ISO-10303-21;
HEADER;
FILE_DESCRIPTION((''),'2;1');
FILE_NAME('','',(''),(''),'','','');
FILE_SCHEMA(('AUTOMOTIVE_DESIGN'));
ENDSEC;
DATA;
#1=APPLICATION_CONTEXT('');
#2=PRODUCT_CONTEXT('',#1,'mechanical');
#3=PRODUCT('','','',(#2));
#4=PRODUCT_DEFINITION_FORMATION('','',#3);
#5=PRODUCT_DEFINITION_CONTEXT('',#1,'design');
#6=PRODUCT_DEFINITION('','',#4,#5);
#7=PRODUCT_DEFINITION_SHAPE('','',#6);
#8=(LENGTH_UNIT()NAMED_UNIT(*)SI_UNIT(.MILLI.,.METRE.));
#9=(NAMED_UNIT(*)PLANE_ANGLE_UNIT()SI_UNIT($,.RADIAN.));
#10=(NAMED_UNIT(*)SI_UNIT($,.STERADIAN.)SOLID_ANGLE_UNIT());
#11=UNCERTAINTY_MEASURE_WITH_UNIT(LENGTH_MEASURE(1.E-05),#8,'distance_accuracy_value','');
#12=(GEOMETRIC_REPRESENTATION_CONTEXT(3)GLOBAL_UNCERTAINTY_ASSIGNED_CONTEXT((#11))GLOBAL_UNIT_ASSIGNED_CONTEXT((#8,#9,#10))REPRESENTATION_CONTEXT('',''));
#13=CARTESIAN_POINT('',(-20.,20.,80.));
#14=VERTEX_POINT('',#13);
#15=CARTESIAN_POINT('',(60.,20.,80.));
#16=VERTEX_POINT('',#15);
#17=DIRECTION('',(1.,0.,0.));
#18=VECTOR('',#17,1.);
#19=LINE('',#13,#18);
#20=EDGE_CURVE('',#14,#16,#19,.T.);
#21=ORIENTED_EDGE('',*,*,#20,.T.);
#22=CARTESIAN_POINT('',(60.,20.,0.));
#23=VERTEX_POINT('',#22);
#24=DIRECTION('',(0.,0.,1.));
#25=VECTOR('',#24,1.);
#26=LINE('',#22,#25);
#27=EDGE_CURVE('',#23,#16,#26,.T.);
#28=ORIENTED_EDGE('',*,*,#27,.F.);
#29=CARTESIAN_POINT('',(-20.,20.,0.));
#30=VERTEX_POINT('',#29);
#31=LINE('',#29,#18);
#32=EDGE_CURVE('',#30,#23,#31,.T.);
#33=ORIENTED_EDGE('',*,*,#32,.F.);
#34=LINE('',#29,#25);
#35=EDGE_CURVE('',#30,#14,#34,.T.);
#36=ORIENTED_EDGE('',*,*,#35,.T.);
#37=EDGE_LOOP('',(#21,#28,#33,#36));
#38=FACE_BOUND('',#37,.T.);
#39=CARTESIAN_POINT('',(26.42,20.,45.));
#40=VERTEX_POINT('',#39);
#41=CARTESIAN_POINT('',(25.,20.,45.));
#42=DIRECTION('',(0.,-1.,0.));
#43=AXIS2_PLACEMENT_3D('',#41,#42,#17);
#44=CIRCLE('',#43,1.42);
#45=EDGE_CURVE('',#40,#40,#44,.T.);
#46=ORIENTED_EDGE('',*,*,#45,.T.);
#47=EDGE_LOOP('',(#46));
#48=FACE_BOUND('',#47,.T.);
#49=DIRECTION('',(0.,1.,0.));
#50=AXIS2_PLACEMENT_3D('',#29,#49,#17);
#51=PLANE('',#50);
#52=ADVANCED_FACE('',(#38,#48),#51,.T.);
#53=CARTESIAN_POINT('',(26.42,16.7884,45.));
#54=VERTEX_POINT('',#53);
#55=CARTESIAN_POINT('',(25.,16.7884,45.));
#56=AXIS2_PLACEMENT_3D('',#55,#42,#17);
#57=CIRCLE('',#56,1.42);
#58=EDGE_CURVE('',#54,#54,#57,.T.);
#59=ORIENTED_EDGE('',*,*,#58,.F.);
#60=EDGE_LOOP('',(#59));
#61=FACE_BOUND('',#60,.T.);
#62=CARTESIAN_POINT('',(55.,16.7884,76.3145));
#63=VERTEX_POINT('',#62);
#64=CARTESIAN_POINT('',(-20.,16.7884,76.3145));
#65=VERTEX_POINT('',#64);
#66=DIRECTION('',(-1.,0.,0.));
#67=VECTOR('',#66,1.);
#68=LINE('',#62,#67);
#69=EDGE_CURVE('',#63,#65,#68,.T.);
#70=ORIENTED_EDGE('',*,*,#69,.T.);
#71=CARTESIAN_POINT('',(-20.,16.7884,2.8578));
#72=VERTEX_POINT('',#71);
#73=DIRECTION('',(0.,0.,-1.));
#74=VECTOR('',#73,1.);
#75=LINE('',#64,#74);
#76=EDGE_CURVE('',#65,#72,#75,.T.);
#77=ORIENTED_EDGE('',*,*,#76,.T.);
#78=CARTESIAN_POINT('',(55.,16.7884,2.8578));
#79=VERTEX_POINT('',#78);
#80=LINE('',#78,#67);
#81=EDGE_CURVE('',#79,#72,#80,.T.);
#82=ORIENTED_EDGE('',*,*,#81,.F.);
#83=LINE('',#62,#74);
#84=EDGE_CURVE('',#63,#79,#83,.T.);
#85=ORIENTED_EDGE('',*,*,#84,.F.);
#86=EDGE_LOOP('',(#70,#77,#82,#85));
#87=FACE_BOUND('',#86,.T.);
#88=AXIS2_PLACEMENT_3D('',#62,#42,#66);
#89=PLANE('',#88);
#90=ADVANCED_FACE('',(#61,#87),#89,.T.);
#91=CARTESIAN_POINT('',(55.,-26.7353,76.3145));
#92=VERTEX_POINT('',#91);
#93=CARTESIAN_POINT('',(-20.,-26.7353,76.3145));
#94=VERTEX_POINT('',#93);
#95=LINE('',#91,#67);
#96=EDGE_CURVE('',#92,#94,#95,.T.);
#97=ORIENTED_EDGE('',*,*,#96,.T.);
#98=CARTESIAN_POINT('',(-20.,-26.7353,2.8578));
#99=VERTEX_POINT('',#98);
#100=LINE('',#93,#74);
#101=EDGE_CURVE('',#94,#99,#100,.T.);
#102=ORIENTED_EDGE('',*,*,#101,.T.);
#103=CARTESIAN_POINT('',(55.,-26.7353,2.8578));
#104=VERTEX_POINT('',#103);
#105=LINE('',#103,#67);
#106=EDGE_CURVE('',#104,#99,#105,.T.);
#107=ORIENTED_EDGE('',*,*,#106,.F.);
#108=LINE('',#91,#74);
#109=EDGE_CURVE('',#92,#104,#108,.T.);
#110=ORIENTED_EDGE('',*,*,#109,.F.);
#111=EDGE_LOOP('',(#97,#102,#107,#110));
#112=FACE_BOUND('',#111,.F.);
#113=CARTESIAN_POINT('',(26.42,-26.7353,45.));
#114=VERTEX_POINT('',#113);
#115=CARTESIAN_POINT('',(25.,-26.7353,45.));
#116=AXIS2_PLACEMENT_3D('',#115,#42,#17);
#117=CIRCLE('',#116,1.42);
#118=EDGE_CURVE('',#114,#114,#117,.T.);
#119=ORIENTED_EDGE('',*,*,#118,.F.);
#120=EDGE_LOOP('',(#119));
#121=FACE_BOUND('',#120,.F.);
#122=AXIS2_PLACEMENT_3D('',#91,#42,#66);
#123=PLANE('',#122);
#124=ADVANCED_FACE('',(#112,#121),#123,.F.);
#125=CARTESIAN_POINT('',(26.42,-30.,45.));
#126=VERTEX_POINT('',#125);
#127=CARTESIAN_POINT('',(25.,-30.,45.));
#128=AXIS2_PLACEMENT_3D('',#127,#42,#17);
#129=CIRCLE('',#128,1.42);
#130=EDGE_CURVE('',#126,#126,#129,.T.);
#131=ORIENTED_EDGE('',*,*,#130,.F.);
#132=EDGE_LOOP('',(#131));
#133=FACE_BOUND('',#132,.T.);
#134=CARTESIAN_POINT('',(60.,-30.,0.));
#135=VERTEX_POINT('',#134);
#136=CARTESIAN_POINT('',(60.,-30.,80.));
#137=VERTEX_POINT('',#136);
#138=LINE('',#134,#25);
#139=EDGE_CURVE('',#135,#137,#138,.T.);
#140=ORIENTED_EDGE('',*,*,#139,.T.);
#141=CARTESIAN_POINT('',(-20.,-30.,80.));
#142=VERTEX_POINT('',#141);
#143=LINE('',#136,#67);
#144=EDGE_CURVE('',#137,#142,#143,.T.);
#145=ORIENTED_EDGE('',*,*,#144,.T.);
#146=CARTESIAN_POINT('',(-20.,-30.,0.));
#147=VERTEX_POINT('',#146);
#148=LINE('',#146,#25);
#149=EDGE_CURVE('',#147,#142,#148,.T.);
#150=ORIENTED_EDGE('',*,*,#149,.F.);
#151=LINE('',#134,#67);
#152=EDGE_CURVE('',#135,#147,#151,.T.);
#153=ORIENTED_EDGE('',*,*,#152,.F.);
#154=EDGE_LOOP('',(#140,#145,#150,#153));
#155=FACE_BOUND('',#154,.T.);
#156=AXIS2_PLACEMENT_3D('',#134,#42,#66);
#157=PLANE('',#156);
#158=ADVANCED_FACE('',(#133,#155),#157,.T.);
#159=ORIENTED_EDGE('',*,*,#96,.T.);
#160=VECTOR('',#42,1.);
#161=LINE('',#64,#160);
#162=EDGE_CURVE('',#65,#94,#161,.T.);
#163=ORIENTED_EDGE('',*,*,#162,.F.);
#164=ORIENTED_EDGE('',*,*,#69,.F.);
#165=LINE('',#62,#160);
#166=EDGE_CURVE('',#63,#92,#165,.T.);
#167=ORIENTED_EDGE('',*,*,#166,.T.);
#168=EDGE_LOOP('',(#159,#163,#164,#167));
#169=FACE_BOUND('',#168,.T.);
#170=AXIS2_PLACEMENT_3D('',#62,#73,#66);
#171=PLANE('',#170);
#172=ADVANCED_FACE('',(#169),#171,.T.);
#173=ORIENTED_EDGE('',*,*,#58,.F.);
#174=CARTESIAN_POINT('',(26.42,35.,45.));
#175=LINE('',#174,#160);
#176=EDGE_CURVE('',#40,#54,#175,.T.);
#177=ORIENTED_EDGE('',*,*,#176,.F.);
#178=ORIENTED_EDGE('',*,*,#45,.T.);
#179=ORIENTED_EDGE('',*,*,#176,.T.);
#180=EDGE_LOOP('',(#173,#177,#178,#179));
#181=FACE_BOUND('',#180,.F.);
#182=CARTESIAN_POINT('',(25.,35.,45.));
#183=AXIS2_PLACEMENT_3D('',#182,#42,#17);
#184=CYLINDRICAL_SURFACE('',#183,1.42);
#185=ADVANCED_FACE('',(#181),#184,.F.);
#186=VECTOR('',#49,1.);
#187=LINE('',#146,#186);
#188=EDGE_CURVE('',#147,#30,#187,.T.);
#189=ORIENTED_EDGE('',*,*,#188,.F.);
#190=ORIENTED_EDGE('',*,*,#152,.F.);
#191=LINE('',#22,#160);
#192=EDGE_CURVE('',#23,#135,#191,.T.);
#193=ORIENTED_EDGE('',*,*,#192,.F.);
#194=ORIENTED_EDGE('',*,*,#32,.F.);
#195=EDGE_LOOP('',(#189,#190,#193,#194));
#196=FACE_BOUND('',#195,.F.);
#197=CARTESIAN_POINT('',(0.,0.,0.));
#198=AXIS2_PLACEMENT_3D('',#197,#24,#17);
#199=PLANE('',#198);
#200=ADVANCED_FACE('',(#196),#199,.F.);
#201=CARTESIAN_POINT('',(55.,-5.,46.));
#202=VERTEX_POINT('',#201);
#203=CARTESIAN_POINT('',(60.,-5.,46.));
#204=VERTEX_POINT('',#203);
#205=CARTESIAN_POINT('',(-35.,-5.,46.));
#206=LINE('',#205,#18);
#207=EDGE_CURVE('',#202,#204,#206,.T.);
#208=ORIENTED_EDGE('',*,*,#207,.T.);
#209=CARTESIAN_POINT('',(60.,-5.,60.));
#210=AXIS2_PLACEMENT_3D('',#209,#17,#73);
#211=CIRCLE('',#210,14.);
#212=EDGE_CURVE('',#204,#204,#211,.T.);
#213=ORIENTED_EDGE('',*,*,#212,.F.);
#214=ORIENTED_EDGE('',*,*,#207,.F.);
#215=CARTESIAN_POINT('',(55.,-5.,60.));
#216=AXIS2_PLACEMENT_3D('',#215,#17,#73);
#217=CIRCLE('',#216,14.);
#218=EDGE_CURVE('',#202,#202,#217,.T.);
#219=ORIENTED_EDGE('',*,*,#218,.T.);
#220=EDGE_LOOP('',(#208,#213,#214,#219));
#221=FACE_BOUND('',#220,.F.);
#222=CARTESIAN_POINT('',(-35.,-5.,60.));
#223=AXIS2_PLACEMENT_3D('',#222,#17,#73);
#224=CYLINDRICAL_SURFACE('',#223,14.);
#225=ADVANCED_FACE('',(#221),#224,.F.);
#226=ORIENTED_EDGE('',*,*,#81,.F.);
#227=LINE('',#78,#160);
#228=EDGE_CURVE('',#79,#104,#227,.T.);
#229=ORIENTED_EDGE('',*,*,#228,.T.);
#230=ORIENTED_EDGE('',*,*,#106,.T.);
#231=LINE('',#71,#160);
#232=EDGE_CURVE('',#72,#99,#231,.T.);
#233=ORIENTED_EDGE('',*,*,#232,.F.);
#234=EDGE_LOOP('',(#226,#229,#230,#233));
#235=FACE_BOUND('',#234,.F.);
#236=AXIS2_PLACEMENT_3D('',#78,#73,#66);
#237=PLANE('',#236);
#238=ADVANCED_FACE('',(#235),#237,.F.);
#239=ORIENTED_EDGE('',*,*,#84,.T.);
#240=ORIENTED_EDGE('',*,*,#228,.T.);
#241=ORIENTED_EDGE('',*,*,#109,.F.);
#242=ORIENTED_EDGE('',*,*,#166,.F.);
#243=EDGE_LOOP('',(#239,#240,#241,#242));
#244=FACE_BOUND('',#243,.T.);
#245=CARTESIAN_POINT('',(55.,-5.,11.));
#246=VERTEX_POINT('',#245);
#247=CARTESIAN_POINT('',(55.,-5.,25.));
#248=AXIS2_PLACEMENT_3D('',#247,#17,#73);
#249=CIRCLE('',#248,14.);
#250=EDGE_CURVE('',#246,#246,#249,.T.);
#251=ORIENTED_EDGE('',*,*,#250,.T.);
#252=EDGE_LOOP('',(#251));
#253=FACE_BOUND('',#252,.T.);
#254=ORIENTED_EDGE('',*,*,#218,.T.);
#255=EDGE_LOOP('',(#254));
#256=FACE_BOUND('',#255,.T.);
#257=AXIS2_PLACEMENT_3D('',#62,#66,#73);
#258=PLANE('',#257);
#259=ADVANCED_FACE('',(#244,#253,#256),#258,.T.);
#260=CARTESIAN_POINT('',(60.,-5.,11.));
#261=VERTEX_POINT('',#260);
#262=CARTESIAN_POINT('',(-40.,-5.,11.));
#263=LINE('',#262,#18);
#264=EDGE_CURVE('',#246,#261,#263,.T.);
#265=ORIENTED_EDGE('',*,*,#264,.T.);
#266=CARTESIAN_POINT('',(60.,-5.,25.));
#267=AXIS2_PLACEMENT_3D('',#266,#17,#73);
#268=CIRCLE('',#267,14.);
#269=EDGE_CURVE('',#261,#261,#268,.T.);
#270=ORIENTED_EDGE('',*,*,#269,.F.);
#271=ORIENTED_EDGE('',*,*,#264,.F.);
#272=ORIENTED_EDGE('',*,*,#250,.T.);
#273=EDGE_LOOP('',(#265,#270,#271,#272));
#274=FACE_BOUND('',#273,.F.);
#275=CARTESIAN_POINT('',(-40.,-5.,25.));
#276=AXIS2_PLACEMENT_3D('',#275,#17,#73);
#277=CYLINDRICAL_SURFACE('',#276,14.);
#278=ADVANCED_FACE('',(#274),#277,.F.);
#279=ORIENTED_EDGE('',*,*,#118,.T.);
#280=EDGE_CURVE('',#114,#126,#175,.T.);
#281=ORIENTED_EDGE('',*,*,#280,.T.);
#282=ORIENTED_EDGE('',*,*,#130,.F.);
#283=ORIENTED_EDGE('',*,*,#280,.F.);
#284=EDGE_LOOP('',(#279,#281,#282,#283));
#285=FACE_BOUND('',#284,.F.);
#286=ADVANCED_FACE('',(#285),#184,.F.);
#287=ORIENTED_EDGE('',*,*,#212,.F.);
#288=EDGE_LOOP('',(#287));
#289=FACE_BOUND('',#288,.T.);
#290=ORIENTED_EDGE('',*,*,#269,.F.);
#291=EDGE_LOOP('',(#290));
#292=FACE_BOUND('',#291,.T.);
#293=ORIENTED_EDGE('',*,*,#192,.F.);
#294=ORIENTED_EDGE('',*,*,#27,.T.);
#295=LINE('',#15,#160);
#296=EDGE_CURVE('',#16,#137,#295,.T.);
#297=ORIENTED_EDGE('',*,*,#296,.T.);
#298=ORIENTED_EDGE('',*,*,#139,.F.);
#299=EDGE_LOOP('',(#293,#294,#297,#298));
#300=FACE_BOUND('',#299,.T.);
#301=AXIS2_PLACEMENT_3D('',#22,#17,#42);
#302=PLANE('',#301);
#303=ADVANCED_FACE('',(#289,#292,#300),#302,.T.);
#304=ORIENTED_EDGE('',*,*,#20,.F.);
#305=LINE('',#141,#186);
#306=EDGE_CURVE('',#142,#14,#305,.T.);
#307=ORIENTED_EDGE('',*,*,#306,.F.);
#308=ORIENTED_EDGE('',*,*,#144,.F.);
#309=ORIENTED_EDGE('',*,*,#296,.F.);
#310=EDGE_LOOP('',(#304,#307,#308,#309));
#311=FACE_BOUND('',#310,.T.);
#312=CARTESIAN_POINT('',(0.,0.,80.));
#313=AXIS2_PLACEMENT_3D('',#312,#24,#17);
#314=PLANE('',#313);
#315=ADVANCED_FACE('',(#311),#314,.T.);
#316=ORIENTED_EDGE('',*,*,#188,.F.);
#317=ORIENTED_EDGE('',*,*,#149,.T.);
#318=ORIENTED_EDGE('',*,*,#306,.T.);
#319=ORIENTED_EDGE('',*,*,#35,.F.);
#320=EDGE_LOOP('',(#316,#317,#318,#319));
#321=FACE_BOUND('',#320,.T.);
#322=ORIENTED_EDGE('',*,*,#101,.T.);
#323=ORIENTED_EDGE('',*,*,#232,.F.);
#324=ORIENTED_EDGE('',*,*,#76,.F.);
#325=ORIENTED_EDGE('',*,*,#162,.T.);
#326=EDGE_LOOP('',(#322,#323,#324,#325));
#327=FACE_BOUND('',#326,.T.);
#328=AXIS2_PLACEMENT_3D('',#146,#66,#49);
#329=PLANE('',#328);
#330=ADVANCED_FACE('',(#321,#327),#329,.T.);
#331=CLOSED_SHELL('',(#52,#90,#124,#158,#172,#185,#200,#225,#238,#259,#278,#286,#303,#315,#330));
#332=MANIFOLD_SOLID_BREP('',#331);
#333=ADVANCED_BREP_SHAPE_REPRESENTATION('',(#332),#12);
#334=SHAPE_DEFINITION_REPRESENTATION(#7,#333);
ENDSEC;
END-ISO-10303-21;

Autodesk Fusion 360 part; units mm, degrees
sketch "Sketch1" plane through (0, 0, 0) normal (0, 0, 1) x (1, 0, 0)
  line L0 (-20, 20) -> (60, 20)
  line L1 (60, 20) -> (60, -30)
  line L2 (60, -30) -> (-20, -30)
  line L3 (-20, -30) -> (-20, 20)
  dimension "d1" = 80
  dimension "d2" = 50
extrude "Extrude1" add sketch "Sketch1" along normal blind 80
cylinder "CylinderPrimitive1" cut diameter 28 height -100 placed x (0, 0, -1) y (0, 1, 0) z (1, 0, 0) at (60, -5, 25)
cylinder "CylinderPrimitive2" cut diameter 28 height -95 placed x (0, 0, -1) y (0, 1, 0) z (1, 0, 0) at (60, -5, 60)
box "BoxPrimitive1" cut length 73.4567 width 43.5237 height -75 placed x (0, 0, -1) y (0, -1, 0) z (-1, 0, 0) at (-20, 16.7884, 76.3145)
cylinder "CylinderPrimitive3" cut diameter 2.84 height -65 placed x (1, 0, 0) y (0, 0, 1) z (0, -1, 0) at (25, -30, 45)
